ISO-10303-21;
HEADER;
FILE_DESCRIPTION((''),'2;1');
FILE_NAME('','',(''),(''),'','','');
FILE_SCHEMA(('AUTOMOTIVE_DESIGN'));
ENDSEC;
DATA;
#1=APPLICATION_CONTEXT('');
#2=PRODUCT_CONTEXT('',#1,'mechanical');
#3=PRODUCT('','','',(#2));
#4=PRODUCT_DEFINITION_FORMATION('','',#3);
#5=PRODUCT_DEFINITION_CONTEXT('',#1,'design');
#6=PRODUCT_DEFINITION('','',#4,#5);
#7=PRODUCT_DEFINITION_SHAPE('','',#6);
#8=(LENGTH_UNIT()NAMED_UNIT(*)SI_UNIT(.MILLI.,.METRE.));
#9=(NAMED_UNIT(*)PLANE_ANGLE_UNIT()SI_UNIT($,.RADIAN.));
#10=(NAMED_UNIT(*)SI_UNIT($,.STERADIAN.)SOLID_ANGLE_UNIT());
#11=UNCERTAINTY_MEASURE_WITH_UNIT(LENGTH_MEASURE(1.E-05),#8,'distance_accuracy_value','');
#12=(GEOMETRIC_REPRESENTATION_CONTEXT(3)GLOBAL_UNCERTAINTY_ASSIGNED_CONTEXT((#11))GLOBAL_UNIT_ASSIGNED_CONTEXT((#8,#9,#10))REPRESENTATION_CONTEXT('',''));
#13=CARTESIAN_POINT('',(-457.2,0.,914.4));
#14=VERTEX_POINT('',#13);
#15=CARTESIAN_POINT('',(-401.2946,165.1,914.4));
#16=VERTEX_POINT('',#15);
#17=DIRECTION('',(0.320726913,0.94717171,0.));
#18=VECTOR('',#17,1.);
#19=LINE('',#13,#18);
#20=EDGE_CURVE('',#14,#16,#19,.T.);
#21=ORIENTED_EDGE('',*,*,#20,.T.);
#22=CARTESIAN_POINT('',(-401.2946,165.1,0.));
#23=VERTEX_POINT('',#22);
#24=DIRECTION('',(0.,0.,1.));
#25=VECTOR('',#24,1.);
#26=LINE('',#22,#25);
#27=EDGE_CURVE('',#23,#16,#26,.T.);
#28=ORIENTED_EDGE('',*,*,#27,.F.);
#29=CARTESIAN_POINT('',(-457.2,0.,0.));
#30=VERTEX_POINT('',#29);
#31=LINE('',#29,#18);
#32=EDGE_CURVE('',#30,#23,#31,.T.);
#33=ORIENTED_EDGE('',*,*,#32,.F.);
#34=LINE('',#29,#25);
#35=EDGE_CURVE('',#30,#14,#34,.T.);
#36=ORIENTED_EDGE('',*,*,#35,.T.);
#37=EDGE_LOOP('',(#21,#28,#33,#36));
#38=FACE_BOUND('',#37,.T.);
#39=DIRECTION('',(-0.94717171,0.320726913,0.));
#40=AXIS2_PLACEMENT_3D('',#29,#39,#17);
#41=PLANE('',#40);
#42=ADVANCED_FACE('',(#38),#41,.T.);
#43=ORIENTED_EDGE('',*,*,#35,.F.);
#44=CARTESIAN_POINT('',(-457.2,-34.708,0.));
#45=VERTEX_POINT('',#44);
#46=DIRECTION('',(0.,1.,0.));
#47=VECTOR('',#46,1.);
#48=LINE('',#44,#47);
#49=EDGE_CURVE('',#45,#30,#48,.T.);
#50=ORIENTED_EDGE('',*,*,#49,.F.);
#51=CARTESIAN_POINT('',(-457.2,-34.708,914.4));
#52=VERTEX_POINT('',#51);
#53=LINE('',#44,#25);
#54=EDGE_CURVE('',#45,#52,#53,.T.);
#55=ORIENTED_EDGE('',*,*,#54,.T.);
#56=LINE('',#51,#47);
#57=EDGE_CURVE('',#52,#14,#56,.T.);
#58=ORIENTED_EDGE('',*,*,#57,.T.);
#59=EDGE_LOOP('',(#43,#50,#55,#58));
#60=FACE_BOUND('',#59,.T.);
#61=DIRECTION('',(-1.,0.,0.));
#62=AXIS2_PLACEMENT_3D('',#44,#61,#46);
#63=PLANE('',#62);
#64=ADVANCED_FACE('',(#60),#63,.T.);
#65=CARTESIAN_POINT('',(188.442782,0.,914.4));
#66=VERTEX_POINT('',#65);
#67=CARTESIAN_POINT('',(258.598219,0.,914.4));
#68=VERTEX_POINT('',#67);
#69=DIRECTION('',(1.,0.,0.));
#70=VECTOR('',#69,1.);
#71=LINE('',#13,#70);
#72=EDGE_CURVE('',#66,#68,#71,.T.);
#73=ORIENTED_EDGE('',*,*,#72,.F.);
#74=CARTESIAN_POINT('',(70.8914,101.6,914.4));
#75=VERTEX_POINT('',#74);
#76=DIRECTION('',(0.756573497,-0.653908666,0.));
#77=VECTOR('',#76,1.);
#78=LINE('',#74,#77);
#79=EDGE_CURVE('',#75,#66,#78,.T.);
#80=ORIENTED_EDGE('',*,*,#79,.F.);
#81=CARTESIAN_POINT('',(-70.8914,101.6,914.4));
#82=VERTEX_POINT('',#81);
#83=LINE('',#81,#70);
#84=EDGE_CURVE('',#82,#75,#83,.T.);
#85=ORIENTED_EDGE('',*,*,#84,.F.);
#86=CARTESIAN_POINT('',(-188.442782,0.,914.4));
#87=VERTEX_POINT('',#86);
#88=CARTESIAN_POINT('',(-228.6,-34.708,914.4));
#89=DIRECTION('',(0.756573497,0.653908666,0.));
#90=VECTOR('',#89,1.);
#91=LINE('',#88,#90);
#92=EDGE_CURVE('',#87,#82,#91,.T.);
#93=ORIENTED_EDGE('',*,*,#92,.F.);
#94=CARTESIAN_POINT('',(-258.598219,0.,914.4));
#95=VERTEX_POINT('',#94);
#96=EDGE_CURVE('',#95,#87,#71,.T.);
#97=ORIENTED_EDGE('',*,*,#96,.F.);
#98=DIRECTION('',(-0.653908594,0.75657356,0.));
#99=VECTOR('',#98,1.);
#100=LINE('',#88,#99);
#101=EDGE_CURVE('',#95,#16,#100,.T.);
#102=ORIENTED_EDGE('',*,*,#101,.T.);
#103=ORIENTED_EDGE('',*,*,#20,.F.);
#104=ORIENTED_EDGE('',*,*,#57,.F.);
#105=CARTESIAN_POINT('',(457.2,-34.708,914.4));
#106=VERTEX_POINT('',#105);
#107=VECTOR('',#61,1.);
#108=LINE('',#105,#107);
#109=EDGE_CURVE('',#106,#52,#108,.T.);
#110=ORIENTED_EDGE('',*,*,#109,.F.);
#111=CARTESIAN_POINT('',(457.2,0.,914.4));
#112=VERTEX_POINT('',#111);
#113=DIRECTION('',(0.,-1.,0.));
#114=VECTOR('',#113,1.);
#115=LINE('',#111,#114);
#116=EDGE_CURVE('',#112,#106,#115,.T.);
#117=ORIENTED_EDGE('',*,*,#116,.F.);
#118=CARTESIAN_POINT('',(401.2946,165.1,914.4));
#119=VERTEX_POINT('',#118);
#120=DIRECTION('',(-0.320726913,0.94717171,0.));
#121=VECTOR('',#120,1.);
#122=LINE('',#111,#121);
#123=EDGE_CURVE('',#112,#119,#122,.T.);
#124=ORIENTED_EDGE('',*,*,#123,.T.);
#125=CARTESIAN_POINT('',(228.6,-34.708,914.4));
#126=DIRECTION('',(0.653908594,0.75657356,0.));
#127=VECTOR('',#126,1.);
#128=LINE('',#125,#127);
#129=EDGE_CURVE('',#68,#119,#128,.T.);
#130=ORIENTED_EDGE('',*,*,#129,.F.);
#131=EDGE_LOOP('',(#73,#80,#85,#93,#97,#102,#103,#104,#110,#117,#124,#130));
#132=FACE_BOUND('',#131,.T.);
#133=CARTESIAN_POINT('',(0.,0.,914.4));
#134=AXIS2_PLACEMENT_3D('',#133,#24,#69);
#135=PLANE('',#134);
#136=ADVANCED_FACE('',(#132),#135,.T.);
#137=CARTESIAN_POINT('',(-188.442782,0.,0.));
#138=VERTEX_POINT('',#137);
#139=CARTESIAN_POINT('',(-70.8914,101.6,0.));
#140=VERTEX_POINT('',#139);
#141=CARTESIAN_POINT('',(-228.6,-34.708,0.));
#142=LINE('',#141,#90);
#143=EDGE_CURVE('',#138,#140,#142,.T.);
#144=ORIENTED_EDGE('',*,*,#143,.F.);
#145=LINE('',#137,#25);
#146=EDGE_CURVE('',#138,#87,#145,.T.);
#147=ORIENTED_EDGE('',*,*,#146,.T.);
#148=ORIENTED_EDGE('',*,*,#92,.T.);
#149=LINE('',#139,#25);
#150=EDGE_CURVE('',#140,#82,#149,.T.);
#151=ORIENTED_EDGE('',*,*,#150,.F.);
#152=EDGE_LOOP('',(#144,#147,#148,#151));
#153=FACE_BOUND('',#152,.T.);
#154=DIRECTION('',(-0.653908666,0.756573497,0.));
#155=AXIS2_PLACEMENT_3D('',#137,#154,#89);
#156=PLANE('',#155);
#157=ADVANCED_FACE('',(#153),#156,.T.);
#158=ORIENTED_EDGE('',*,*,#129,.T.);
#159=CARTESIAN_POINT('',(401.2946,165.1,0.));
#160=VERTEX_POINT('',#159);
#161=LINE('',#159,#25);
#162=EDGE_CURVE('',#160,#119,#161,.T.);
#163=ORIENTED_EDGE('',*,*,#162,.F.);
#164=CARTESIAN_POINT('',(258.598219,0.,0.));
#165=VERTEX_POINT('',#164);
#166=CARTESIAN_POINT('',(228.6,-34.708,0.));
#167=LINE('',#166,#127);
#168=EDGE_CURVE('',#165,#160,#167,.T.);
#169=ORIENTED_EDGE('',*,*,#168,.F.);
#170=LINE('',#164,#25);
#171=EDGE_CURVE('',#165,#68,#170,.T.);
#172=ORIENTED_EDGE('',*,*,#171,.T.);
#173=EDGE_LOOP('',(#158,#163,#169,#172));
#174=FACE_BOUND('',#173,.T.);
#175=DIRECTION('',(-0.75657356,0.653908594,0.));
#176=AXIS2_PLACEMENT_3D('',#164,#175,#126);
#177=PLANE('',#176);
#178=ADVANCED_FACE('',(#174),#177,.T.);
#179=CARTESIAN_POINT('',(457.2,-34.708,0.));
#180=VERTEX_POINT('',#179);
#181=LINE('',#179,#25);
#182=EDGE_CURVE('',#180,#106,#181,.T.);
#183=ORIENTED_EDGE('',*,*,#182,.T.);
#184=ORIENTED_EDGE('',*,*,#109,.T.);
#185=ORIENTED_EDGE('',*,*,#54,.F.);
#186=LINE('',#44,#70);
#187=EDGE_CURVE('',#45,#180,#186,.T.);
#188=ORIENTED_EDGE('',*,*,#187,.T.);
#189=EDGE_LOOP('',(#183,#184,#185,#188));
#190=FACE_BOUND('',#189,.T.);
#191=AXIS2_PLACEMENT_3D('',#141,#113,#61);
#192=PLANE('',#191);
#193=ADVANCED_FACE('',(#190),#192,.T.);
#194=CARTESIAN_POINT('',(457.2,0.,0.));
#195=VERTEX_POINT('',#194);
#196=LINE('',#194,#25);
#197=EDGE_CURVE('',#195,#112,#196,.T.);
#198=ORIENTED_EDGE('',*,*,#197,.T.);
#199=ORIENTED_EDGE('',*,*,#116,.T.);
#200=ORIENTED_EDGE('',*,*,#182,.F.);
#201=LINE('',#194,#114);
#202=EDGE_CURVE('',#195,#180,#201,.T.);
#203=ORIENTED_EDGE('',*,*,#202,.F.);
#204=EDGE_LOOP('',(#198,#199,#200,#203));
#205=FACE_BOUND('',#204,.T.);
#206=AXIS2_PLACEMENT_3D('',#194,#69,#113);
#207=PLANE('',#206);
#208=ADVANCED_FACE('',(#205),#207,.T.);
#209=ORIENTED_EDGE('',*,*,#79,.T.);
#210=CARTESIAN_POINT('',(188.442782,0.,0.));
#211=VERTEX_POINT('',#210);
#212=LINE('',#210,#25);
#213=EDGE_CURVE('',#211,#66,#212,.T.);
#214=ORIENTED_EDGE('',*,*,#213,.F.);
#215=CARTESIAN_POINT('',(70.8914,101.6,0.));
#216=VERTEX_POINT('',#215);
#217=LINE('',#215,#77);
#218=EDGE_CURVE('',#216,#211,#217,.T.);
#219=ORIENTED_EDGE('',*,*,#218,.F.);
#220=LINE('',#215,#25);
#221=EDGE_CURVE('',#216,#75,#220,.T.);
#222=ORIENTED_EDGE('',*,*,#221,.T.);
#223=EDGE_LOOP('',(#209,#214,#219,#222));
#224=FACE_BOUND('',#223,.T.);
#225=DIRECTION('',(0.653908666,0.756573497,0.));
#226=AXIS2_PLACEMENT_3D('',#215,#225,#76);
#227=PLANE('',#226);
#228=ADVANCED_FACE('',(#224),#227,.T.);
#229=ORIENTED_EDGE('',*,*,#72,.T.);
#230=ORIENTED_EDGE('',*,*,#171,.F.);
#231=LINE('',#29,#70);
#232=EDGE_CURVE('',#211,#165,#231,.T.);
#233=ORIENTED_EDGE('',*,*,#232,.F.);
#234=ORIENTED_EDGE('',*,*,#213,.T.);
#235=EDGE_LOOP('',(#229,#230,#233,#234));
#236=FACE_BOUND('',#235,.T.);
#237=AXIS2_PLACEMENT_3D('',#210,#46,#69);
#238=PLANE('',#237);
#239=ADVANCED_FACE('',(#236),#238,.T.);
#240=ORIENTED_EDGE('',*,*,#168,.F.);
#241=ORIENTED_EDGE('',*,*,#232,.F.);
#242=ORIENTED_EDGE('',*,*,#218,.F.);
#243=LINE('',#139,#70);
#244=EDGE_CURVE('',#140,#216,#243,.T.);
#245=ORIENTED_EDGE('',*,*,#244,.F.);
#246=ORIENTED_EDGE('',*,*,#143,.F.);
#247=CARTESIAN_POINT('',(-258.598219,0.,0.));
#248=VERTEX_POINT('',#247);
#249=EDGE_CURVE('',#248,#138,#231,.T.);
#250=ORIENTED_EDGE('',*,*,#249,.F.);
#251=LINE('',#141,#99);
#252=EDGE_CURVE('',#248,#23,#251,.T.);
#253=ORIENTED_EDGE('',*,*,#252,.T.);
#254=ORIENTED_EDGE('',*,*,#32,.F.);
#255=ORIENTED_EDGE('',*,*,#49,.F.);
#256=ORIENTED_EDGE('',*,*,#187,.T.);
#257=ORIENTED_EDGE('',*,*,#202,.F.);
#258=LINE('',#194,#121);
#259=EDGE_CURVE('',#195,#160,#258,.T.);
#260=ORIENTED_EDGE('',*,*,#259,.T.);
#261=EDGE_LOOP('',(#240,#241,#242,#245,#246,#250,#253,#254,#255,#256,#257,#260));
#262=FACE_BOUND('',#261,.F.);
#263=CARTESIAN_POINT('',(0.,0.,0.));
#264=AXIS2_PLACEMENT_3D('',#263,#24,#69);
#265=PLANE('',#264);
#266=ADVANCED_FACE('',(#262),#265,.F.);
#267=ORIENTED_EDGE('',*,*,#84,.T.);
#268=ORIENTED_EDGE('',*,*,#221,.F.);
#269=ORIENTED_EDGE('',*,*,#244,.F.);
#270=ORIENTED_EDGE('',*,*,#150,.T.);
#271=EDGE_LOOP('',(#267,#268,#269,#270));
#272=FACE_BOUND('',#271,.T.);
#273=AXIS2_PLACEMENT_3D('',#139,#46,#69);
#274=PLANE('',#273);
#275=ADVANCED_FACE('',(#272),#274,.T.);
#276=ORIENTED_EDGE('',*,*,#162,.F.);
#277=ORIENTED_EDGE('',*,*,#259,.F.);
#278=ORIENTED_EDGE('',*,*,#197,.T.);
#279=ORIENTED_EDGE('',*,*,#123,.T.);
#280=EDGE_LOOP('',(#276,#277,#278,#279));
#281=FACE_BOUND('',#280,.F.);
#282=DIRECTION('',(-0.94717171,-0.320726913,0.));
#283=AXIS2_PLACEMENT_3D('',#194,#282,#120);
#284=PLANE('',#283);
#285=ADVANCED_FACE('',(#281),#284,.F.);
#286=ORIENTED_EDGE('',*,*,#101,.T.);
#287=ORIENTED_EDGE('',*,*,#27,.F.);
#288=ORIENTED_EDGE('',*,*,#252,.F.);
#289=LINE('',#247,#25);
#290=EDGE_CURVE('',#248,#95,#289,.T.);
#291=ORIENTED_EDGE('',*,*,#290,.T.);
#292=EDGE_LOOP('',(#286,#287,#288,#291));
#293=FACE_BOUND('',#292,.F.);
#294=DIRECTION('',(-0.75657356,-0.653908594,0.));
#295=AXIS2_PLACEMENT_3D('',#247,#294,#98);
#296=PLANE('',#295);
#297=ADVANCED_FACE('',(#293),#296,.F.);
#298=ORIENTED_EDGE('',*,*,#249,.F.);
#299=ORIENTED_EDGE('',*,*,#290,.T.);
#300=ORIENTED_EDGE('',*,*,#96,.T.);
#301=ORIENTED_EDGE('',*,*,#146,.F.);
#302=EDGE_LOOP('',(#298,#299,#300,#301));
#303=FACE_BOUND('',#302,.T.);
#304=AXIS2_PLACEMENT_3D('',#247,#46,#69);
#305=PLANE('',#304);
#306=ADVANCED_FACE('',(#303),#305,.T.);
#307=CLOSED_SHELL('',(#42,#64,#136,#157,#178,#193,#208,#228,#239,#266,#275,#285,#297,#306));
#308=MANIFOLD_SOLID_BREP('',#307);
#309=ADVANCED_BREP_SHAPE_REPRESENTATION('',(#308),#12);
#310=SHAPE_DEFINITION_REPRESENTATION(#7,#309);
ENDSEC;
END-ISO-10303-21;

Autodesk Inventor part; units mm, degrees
ref_plane "YZ Plane" through (0, 0, 0) normal (1, 0, 0) x (0, 1, 0)
ref_plane "XZ Plane" through (0, 0, 0) normal (0, 1, 0) x (-1, 0, 0)
ref_plane "XY Plane" through (0, 0, 0) normal (0, 0, 1) x (1, 0, 0)
sketch "Sketch1" plane through (0, 0, 0) normal (0, 0, 1) x (1, 0, 0)
  line L0 (-228.6, -34.708) -> (-401.2946, 165.1)
  line L1 (-228.6, -34.708) -> (-70.8914, 101.6)
  line L2 (70.8914, 101.6) -> (228.6, -34.708)
  line L3 (228.6, -34.708) -> (401.2946, 165.1)
  line L4 (-70.8914, 101.6) -> (70.8914, 101.6)
  line L5 (0, 0) -> (-457.2, 0) construction
  line L6 (0, 0) -> (457.2, 0) construction
  line L7 (-457.2, 0) -> (-401.2946, 165.1)
  line L8 (457.2, 0) -> (401.2946, 165.1)
  line L9 (-457.2, 0) -> (457.2, 0)
  line L10 (457.2, 0) -> (457.2, -34.708)
  line L11 (457.2, -34.708) -> (-457.2, -34.708)
  line L12 (-457.2, -34.708) -> (-457.2, 0)
  point P0 (258.5982, 0)
  point P1 (188.4428, 0)
  point P2 (-188.4428, 0)
  point P3 (-258.5982, 0)
  dimension "d0" = 90
  dimension "d1" = 90
  dimension "d2" = 141.7828
  dimension "d3" = 101.6
  dimension "d4" = 330.4032
  dimension "d5" = 330.4032
  dimension "d6" = 165.1
  dimension "d7" = 165.1
  dimension "d10" = 70.8914
  dimension "d12" = 457.2
  dimension "d13" = 228.6
  dimension "d14" = 914.4
extrude "Extrusion1" add sketch "Sketch1" along normal blind 914.4
equation "\"d5\" = d4"
equation "\"d6\" = d7"
equation "\"d10\" = 0.5 * d2"
equation "\"d13\" = 0.5 * d12"
properties part number "ChargingBase Wstyle - Rough Proto (Flat Bottom)"
